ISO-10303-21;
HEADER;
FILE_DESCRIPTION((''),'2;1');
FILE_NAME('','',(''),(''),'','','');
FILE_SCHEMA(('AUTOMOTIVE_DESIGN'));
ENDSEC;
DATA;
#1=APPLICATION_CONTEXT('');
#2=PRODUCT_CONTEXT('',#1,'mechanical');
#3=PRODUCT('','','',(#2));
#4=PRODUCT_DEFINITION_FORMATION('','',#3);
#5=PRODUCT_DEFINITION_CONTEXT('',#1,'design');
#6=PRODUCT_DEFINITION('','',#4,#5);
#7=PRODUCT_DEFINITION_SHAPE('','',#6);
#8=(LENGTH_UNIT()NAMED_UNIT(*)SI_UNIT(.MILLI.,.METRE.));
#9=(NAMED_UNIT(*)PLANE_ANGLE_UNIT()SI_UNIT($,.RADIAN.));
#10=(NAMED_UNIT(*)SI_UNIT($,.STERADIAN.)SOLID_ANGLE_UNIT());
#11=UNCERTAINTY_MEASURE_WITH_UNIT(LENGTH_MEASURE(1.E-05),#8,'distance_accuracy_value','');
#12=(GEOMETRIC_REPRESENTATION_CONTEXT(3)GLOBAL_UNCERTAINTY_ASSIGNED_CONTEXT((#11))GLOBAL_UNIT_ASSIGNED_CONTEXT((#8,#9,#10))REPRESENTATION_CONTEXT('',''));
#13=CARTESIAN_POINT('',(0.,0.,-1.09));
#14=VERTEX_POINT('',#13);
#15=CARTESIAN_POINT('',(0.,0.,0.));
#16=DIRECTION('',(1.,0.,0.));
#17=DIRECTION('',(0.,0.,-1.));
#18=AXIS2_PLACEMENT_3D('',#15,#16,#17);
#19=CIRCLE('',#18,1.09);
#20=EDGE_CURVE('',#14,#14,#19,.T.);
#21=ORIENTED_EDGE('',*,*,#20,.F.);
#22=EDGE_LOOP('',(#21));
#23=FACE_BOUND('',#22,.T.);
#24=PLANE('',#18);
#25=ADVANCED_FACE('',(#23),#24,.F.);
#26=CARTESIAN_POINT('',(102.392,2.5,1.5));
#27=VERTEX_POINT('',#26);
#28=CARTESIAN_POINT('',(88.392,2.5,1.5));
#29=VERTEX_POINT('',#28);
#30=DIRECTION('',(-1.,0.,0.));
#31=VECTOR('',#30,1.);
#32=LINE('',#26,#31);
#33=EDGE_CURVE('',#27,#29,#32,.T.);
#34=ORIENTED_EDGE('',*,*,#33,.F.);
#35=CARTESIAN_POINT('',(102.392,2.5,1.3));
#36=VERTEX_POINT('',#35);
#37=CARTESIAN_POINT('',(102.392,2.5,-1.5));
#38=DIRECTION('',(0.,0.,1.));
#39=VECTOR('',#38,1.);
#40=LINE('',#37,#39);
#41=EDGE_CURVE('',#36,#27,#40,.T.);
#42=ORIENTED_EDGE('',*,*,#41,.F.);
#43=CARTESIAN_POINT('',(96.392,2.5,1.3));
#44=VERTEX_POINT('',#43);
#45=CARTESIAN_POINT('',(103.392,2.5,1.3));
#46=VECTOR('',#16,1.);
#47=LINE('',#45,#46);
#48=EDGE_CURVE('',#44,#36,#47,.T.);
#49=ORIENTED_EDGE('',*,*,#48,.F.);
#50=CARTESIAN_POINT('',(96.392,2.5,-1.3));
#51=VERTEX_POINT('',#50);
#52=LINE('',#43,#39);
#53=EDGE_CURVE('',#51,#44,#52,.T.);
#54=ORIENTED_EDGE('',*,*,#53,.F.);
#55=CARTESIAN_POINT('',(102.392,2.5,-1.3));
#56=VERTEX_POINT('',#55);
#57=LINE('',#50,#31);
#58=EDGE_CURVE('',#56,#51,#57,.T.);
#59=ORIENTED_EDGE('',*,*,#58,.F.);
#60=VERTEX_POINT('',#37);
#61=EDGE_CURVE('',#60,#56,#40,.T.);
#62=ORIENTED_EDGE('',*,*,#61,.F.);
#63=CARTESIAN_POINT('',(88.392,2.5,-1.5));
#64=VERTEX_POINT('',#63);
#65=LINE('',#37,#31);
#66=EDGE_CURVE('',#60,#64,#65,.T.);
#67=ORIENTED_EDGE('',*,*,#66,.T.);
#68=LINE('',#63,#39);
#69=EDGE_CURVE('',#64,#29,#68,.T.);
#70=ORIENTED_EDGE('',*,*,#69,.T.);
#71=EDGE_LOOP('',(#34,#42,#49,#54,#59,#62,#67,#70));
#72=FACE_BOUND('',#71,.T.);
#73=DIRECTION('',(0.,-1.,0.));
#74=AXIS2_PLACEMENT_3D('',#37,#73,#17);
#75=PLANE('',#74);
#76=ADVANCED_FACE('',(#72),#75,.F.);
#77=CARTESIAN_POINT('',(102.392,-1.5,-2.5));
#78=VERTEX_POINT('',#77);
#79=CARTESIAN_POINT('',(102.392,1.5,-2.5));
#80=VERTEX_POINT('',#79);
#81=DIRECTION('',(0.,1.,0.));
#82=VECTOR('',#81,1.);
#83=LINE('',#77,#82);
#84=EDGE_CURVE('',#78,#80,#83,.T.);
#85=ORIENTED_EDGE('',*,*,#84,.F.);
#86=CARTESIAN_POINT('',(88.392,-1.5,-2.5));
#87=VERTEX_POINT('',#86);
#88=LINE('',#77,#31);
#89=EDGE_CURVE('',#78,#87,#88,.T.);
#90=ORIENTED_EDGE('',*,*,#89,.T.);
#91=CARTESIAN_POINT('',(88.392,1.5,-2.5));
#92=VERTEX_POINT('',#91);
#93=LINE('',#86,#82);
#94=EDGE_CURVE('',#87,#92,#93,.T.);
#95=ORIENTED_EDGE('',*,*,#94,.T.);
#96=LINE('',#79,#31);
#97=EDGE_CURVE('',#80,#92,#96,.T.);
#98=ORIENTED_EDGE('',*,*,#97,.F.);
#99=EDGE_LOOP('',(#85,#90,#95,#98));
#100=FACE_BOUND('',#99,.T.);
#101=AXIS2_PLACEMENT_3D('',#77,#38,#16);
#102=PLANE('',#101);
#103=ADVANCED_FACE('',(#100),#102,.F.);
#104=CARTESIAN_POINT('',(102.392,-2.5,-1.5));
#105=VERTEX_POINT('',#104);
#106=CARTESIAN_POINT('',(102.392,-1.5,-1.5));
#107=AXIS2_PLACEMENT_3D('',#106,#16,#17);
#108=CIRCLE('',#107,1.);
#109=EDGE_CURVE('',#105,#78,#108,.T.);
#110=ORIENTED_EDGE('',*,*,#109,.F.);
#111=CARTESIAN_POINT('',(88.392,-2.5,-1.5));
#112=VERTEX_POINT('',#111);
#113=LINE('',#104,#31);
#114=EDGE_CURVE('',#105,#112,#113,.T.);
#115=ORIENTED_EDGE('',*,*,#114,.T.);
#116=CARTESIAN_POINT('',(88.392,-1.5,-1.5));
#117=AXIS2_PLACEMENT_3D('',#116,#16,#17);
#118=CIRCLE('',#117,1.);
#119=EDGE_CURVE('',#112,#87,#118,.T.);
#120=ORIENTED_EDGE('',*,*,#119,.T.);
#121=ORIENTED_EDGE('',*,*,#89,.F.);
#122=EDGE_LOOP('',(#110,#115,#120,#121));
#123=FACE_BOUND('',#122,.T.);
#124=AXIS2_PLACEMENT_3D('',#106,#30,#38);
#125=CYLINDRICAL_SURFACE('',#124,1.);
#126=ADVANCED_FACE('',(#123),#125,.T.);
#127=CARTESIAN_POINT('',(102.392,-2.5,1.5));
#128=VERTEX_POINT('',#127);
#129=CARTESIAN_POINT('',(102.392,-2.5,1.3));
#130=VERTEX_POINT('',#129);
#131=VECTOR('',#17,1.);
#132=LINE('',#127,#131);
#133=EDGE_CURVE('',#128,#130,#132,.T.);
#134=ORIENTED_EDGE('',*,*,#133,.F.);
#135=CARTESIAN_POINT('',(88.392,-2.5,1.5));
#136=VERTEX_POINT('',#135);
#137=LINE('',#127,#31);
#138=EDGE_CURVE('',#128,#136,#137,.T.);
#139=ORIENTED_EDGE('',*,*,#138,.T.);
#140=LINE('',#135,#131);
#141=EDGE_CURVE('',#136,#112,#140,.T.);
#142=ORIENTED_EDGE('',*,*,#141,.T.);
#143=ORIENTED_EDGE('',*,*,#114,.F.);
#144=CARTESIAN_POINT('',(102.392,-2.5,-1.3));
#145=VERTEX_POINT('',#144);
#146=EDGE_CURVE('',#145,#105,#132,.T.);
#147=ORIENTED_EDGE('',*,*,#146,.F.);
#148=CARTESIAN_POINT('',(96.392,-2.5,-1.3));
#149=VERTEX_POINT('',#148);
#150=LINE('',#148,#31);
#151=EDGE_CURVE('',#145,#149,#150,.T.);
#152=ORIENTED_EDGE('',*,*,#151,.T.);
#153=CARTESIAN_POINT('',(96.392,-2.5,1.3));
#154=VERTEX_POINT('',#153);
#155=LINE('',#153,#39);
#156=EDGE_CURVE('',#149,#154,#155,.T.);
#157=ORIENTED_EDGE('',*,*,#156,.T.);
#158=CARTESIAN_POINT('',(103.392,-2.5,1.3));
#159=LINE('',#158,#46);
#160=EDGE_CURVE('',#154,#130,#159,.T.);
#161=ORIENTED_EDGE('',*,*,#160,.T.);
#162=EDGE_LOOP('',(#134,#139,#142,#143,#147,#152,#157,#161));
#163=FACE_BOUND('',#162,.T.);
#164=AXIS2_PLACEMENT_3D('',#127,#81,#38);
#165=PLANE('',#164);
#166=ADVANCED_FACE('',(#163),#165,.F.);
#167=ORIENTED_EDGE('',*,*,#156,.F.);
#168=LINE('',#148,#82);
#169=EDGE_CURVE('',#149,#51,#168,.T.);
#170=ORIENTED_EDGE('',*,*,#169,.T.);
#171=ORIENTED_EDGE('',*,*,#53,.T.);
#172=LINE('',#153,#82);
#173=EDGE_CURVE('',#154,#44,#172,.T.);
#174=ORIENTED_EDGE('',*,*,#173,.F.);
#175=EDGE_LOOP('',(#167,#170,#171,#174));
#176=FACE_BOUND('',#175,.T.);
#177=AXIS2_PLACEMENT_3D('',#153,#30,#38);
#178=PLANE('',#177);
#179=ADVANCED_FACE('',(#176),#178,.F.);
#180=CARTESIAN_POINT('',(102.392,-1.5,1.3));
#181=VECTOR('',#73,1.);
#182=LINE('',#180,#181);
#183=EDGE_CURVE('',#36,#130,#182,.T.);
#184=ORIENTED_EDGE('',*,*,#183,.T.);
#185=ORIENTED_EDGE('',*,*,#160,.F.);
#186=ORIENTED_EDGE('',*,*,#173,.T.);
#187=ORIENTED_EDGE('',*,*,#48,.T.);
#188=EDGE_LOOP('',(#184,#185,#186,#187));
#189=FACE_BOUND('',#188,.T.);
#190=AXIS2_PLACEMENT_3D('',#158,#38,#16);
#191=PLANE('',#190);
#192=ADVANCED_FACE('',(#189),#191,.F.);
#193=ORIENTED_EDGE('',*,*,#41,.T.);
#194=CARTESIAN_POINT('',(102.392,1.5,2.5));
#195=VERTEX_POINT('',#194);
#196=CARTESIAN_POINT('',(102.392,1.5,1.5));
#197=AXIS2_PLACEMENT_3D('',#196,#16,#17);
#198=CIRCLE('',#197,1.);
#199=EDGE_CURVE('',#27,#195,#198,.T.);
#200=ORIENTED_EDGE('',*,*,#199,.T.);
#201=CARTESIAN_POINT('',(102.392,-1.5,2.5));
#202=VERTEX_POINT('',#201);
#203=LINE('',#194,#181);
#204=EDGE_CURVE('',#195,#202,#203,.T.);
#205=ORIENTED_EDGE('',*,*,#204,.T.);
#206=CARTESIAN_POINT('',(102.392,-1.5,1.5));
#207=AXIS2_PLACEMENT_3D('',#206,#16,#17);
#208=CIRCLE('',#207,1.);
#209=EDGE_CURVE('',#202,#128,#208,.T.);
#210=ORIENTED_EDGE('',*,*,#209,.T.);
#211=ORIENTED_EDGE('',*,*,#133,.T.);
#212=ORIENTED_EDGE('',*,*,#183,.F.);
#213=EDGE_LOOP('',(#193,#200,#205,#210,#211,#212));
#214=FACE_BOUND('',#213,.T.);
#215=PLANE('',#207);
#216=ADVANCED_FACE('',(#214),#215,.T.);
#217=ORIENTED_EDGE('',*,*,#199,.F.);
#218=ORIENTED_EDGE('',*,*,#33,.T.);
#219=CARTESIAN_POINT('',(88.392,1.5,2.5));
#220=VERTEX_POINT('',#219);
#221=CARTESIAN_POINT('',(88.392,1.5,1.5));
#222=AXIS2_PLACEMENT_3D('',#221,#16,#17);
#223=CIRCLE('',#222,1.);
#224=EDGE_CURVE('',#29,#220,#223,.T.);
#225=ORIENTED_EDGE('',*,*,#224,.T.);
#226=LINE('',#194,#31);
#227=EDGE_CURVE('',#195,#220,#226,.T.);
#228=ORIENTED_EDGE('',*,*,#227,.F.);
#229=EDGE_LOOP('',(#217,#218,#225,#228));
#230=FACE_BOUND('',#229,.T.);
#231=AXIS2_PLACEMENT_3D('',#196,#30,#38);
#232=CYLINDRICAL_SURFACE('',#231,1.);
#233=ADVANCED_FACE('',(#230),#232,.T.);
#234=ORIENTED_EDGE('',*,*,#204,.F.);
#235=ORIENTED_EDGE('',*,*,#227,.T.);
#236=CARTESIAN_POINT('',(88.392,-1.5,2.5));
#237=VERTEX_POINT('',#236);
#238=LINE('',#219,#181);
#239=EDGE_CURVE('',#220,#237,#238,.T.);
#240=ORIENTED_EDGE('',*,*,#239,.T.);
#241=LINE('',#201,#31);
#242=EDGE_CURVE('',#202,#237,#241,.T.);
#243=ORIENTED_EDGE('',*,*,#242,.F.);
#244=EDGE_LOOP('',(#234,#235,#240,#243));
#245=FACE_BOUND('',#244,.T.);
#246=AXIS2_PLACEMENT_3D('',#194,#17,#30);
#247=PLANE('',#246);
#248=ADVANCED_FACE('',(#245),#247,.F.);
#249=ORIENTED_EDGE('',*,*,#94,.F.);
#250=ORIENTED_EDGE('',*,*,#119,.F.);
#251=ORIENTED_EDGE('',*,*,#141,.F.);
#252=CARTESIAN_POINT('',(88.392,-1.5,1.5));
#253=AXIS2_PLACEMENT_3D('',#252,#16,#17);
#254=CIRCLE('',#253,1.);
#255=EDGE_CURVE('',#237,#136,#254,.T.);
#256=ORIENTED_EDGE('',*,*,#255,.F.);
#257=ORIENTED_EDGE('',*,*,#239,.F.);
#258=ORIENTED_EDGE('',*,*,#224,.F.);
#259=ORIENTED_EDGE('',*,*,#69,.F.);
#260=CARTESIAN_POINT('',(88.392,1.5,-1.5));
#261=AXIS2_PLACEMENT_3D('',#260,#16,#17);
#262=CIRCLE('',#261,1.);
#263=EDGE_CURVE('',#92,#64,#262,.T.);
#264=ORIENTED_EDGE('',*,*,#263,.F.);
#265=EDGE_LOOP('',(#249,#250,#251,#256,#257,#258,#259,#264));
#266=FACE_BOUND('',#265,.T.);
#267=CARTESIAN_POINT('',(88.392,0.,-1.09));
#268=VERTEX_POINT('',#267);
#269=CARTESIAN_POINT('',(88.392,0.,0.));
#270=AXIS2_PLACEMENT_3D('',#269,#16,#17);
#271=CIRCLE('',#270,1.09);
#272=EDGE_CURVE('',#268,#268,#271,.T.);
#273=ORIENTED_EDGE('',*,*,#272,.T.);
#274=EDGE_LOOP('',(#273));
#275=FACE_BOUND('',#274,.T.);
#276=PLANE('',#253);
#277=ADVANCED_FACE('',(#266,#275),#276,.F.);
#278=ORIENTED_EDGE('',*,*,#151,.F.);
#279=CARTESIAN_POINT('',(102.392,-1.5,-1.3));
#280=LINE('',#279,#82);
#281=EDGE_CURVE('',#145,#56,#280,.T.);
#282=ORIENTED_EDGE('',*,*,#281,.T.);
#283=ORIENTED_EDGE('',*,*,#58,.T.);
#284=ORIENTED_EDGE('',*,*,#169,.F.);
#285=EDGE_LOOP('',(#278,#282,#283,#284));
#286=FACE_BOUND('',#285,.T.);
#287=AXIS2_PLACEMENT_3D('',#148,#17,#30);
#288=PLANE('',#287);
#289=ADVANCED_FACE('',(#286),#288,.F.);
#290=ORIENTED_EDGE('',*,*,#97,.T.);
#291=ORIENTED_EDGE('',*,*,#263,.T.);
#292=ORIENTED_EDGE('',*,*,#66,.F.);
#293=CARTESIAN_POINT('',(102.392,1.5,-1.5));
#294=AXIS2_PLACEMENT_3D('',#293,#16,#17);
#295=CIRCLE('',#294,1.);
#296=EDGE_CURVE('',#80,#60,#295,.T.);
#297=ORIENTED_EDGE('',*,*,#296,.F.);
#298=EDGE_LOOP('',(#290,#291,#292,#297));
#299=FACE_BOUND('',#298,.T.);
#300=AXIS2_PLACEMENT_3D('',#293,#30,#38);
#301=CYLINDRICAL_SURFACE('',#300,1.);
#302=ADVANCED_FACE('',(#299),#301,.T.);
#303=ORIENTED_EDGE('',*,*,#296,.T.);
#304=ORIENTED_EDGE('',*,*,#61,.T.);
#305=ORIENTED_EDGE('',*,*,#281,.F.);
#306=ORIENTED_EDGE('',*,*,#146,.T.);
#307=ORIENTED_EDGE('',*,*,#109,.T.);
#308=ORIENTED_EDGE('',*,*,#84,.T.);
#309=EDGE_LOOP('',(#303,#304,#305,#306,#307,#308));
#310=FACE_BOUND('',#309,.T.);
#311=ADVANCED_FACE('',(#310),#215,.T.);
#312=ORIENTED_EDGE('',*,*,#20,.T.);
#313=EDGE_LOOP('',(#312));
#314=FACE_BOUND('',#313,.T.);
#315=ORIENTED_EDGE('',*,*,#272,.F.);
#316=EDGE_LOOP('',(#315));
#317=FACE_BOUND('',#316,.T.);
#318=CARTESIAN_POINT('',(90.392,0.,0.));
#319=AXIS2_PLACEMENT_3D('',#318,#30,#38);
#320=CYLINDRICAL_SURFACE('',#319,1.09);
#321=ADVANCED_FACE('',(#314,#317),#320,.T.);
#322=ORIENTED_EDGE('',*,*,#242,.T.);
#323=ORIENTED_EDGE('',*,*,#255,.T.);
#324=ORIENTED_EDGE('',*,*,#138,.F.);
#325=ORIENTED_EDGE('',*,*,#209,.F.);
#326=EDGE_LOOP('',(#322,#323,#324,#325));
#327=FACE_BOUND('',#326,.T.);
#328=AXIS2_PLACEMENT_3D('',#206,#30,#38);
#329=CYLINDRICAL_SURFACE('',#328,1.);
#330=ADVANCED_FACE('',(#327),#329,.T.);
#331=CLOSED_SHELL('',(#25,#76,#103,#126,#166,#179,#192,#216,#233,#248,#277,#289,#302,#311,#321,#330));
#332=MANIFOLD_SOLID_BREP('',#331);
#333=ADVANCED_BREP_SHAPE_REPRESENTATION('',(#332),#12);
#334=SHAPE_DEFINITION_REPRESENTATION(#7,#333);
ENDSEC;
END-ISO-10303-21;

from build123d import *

# Parameters (mm, degrees)
SKETCH1_R               = 1.09
BOSS_EXTRUDE1_DEPTH     = 90.392
BOSS_EXTRUDE2_DEPTH     = 14
CUT_EXTRUDE1_DEPTH      = 103.453021742
CUT_EXTRUDE1_DEPTH_BACK = 103.453021742
SKETCH3_W               = 7
SKETCH3_H               = 2.6


with BuildPart() as part:
    # Sketch1 → Boss-Extrude1 (new body)
    with BuildSketch(Plane(origin=(0, 0, 0), x_dir=(0, 0, -1), z_dir=(1, 0, 0))):
        Circle(SKETCH1_R)
    extrude(amount=BOSS_EXTRUDE1_DEPTH)

    # Sketch2 → Boss-Extrude2 (add)
    with BuildSketch(Plane(origin=(88.392, 0, 0), x_dir=(0, 0, -1), z_dir=(1, 0, 0))):
        with BuildLine():
            Line((-1.5, -2.5), (1.5, -2.5))
            ThreePointArc((1.5, -2.5), (2.207106781, -2.207106781), (2.5, -1.5))
            Line((2.5, -1.5), (2.5, 1.5))
            ThreePointArc((2.5, 1.5), (2.207106781, 2.207106781), (1.5, 2.5))
            Line((1.5, 2.5), (-1.5, 2.5))
            ThreePointArc((-1.5, 2.5), (-2.207106781, 2.207106781), (-2.5, 1.5))
            Line((-2.5, 1.5), (-2.5, -1.5))
            ThreePointArc((-2.5, -1.5), (-2.207106781, -2.207106781), (-1.5, -2.5))
        make_face()
    extrude(amount=BOSS_EXTRUDE2_DEPTH)

    # Sketch3 → Cut-Extrude1 (cut, two sides: drawn at the far end of the back side and taken through both)
    with BuildSketch(Plane(origin=(0, 0, 0), x_dir=(1, 0, 0), z_dir=(0, 1, 0)).offset(-CUT_EXTRUDE1_DEPTH_BACK)):
        with Locations((99.892, 0)):
            Rectangle(SKETCH3_W, SKETCH3_H)
    extrude(amount=CUT_EXTRUDE1_DEPTH + CUT_EXTRUDE1_DEPTH_BACK, mode=Mode.SUBTRACT)


solid = part.part
